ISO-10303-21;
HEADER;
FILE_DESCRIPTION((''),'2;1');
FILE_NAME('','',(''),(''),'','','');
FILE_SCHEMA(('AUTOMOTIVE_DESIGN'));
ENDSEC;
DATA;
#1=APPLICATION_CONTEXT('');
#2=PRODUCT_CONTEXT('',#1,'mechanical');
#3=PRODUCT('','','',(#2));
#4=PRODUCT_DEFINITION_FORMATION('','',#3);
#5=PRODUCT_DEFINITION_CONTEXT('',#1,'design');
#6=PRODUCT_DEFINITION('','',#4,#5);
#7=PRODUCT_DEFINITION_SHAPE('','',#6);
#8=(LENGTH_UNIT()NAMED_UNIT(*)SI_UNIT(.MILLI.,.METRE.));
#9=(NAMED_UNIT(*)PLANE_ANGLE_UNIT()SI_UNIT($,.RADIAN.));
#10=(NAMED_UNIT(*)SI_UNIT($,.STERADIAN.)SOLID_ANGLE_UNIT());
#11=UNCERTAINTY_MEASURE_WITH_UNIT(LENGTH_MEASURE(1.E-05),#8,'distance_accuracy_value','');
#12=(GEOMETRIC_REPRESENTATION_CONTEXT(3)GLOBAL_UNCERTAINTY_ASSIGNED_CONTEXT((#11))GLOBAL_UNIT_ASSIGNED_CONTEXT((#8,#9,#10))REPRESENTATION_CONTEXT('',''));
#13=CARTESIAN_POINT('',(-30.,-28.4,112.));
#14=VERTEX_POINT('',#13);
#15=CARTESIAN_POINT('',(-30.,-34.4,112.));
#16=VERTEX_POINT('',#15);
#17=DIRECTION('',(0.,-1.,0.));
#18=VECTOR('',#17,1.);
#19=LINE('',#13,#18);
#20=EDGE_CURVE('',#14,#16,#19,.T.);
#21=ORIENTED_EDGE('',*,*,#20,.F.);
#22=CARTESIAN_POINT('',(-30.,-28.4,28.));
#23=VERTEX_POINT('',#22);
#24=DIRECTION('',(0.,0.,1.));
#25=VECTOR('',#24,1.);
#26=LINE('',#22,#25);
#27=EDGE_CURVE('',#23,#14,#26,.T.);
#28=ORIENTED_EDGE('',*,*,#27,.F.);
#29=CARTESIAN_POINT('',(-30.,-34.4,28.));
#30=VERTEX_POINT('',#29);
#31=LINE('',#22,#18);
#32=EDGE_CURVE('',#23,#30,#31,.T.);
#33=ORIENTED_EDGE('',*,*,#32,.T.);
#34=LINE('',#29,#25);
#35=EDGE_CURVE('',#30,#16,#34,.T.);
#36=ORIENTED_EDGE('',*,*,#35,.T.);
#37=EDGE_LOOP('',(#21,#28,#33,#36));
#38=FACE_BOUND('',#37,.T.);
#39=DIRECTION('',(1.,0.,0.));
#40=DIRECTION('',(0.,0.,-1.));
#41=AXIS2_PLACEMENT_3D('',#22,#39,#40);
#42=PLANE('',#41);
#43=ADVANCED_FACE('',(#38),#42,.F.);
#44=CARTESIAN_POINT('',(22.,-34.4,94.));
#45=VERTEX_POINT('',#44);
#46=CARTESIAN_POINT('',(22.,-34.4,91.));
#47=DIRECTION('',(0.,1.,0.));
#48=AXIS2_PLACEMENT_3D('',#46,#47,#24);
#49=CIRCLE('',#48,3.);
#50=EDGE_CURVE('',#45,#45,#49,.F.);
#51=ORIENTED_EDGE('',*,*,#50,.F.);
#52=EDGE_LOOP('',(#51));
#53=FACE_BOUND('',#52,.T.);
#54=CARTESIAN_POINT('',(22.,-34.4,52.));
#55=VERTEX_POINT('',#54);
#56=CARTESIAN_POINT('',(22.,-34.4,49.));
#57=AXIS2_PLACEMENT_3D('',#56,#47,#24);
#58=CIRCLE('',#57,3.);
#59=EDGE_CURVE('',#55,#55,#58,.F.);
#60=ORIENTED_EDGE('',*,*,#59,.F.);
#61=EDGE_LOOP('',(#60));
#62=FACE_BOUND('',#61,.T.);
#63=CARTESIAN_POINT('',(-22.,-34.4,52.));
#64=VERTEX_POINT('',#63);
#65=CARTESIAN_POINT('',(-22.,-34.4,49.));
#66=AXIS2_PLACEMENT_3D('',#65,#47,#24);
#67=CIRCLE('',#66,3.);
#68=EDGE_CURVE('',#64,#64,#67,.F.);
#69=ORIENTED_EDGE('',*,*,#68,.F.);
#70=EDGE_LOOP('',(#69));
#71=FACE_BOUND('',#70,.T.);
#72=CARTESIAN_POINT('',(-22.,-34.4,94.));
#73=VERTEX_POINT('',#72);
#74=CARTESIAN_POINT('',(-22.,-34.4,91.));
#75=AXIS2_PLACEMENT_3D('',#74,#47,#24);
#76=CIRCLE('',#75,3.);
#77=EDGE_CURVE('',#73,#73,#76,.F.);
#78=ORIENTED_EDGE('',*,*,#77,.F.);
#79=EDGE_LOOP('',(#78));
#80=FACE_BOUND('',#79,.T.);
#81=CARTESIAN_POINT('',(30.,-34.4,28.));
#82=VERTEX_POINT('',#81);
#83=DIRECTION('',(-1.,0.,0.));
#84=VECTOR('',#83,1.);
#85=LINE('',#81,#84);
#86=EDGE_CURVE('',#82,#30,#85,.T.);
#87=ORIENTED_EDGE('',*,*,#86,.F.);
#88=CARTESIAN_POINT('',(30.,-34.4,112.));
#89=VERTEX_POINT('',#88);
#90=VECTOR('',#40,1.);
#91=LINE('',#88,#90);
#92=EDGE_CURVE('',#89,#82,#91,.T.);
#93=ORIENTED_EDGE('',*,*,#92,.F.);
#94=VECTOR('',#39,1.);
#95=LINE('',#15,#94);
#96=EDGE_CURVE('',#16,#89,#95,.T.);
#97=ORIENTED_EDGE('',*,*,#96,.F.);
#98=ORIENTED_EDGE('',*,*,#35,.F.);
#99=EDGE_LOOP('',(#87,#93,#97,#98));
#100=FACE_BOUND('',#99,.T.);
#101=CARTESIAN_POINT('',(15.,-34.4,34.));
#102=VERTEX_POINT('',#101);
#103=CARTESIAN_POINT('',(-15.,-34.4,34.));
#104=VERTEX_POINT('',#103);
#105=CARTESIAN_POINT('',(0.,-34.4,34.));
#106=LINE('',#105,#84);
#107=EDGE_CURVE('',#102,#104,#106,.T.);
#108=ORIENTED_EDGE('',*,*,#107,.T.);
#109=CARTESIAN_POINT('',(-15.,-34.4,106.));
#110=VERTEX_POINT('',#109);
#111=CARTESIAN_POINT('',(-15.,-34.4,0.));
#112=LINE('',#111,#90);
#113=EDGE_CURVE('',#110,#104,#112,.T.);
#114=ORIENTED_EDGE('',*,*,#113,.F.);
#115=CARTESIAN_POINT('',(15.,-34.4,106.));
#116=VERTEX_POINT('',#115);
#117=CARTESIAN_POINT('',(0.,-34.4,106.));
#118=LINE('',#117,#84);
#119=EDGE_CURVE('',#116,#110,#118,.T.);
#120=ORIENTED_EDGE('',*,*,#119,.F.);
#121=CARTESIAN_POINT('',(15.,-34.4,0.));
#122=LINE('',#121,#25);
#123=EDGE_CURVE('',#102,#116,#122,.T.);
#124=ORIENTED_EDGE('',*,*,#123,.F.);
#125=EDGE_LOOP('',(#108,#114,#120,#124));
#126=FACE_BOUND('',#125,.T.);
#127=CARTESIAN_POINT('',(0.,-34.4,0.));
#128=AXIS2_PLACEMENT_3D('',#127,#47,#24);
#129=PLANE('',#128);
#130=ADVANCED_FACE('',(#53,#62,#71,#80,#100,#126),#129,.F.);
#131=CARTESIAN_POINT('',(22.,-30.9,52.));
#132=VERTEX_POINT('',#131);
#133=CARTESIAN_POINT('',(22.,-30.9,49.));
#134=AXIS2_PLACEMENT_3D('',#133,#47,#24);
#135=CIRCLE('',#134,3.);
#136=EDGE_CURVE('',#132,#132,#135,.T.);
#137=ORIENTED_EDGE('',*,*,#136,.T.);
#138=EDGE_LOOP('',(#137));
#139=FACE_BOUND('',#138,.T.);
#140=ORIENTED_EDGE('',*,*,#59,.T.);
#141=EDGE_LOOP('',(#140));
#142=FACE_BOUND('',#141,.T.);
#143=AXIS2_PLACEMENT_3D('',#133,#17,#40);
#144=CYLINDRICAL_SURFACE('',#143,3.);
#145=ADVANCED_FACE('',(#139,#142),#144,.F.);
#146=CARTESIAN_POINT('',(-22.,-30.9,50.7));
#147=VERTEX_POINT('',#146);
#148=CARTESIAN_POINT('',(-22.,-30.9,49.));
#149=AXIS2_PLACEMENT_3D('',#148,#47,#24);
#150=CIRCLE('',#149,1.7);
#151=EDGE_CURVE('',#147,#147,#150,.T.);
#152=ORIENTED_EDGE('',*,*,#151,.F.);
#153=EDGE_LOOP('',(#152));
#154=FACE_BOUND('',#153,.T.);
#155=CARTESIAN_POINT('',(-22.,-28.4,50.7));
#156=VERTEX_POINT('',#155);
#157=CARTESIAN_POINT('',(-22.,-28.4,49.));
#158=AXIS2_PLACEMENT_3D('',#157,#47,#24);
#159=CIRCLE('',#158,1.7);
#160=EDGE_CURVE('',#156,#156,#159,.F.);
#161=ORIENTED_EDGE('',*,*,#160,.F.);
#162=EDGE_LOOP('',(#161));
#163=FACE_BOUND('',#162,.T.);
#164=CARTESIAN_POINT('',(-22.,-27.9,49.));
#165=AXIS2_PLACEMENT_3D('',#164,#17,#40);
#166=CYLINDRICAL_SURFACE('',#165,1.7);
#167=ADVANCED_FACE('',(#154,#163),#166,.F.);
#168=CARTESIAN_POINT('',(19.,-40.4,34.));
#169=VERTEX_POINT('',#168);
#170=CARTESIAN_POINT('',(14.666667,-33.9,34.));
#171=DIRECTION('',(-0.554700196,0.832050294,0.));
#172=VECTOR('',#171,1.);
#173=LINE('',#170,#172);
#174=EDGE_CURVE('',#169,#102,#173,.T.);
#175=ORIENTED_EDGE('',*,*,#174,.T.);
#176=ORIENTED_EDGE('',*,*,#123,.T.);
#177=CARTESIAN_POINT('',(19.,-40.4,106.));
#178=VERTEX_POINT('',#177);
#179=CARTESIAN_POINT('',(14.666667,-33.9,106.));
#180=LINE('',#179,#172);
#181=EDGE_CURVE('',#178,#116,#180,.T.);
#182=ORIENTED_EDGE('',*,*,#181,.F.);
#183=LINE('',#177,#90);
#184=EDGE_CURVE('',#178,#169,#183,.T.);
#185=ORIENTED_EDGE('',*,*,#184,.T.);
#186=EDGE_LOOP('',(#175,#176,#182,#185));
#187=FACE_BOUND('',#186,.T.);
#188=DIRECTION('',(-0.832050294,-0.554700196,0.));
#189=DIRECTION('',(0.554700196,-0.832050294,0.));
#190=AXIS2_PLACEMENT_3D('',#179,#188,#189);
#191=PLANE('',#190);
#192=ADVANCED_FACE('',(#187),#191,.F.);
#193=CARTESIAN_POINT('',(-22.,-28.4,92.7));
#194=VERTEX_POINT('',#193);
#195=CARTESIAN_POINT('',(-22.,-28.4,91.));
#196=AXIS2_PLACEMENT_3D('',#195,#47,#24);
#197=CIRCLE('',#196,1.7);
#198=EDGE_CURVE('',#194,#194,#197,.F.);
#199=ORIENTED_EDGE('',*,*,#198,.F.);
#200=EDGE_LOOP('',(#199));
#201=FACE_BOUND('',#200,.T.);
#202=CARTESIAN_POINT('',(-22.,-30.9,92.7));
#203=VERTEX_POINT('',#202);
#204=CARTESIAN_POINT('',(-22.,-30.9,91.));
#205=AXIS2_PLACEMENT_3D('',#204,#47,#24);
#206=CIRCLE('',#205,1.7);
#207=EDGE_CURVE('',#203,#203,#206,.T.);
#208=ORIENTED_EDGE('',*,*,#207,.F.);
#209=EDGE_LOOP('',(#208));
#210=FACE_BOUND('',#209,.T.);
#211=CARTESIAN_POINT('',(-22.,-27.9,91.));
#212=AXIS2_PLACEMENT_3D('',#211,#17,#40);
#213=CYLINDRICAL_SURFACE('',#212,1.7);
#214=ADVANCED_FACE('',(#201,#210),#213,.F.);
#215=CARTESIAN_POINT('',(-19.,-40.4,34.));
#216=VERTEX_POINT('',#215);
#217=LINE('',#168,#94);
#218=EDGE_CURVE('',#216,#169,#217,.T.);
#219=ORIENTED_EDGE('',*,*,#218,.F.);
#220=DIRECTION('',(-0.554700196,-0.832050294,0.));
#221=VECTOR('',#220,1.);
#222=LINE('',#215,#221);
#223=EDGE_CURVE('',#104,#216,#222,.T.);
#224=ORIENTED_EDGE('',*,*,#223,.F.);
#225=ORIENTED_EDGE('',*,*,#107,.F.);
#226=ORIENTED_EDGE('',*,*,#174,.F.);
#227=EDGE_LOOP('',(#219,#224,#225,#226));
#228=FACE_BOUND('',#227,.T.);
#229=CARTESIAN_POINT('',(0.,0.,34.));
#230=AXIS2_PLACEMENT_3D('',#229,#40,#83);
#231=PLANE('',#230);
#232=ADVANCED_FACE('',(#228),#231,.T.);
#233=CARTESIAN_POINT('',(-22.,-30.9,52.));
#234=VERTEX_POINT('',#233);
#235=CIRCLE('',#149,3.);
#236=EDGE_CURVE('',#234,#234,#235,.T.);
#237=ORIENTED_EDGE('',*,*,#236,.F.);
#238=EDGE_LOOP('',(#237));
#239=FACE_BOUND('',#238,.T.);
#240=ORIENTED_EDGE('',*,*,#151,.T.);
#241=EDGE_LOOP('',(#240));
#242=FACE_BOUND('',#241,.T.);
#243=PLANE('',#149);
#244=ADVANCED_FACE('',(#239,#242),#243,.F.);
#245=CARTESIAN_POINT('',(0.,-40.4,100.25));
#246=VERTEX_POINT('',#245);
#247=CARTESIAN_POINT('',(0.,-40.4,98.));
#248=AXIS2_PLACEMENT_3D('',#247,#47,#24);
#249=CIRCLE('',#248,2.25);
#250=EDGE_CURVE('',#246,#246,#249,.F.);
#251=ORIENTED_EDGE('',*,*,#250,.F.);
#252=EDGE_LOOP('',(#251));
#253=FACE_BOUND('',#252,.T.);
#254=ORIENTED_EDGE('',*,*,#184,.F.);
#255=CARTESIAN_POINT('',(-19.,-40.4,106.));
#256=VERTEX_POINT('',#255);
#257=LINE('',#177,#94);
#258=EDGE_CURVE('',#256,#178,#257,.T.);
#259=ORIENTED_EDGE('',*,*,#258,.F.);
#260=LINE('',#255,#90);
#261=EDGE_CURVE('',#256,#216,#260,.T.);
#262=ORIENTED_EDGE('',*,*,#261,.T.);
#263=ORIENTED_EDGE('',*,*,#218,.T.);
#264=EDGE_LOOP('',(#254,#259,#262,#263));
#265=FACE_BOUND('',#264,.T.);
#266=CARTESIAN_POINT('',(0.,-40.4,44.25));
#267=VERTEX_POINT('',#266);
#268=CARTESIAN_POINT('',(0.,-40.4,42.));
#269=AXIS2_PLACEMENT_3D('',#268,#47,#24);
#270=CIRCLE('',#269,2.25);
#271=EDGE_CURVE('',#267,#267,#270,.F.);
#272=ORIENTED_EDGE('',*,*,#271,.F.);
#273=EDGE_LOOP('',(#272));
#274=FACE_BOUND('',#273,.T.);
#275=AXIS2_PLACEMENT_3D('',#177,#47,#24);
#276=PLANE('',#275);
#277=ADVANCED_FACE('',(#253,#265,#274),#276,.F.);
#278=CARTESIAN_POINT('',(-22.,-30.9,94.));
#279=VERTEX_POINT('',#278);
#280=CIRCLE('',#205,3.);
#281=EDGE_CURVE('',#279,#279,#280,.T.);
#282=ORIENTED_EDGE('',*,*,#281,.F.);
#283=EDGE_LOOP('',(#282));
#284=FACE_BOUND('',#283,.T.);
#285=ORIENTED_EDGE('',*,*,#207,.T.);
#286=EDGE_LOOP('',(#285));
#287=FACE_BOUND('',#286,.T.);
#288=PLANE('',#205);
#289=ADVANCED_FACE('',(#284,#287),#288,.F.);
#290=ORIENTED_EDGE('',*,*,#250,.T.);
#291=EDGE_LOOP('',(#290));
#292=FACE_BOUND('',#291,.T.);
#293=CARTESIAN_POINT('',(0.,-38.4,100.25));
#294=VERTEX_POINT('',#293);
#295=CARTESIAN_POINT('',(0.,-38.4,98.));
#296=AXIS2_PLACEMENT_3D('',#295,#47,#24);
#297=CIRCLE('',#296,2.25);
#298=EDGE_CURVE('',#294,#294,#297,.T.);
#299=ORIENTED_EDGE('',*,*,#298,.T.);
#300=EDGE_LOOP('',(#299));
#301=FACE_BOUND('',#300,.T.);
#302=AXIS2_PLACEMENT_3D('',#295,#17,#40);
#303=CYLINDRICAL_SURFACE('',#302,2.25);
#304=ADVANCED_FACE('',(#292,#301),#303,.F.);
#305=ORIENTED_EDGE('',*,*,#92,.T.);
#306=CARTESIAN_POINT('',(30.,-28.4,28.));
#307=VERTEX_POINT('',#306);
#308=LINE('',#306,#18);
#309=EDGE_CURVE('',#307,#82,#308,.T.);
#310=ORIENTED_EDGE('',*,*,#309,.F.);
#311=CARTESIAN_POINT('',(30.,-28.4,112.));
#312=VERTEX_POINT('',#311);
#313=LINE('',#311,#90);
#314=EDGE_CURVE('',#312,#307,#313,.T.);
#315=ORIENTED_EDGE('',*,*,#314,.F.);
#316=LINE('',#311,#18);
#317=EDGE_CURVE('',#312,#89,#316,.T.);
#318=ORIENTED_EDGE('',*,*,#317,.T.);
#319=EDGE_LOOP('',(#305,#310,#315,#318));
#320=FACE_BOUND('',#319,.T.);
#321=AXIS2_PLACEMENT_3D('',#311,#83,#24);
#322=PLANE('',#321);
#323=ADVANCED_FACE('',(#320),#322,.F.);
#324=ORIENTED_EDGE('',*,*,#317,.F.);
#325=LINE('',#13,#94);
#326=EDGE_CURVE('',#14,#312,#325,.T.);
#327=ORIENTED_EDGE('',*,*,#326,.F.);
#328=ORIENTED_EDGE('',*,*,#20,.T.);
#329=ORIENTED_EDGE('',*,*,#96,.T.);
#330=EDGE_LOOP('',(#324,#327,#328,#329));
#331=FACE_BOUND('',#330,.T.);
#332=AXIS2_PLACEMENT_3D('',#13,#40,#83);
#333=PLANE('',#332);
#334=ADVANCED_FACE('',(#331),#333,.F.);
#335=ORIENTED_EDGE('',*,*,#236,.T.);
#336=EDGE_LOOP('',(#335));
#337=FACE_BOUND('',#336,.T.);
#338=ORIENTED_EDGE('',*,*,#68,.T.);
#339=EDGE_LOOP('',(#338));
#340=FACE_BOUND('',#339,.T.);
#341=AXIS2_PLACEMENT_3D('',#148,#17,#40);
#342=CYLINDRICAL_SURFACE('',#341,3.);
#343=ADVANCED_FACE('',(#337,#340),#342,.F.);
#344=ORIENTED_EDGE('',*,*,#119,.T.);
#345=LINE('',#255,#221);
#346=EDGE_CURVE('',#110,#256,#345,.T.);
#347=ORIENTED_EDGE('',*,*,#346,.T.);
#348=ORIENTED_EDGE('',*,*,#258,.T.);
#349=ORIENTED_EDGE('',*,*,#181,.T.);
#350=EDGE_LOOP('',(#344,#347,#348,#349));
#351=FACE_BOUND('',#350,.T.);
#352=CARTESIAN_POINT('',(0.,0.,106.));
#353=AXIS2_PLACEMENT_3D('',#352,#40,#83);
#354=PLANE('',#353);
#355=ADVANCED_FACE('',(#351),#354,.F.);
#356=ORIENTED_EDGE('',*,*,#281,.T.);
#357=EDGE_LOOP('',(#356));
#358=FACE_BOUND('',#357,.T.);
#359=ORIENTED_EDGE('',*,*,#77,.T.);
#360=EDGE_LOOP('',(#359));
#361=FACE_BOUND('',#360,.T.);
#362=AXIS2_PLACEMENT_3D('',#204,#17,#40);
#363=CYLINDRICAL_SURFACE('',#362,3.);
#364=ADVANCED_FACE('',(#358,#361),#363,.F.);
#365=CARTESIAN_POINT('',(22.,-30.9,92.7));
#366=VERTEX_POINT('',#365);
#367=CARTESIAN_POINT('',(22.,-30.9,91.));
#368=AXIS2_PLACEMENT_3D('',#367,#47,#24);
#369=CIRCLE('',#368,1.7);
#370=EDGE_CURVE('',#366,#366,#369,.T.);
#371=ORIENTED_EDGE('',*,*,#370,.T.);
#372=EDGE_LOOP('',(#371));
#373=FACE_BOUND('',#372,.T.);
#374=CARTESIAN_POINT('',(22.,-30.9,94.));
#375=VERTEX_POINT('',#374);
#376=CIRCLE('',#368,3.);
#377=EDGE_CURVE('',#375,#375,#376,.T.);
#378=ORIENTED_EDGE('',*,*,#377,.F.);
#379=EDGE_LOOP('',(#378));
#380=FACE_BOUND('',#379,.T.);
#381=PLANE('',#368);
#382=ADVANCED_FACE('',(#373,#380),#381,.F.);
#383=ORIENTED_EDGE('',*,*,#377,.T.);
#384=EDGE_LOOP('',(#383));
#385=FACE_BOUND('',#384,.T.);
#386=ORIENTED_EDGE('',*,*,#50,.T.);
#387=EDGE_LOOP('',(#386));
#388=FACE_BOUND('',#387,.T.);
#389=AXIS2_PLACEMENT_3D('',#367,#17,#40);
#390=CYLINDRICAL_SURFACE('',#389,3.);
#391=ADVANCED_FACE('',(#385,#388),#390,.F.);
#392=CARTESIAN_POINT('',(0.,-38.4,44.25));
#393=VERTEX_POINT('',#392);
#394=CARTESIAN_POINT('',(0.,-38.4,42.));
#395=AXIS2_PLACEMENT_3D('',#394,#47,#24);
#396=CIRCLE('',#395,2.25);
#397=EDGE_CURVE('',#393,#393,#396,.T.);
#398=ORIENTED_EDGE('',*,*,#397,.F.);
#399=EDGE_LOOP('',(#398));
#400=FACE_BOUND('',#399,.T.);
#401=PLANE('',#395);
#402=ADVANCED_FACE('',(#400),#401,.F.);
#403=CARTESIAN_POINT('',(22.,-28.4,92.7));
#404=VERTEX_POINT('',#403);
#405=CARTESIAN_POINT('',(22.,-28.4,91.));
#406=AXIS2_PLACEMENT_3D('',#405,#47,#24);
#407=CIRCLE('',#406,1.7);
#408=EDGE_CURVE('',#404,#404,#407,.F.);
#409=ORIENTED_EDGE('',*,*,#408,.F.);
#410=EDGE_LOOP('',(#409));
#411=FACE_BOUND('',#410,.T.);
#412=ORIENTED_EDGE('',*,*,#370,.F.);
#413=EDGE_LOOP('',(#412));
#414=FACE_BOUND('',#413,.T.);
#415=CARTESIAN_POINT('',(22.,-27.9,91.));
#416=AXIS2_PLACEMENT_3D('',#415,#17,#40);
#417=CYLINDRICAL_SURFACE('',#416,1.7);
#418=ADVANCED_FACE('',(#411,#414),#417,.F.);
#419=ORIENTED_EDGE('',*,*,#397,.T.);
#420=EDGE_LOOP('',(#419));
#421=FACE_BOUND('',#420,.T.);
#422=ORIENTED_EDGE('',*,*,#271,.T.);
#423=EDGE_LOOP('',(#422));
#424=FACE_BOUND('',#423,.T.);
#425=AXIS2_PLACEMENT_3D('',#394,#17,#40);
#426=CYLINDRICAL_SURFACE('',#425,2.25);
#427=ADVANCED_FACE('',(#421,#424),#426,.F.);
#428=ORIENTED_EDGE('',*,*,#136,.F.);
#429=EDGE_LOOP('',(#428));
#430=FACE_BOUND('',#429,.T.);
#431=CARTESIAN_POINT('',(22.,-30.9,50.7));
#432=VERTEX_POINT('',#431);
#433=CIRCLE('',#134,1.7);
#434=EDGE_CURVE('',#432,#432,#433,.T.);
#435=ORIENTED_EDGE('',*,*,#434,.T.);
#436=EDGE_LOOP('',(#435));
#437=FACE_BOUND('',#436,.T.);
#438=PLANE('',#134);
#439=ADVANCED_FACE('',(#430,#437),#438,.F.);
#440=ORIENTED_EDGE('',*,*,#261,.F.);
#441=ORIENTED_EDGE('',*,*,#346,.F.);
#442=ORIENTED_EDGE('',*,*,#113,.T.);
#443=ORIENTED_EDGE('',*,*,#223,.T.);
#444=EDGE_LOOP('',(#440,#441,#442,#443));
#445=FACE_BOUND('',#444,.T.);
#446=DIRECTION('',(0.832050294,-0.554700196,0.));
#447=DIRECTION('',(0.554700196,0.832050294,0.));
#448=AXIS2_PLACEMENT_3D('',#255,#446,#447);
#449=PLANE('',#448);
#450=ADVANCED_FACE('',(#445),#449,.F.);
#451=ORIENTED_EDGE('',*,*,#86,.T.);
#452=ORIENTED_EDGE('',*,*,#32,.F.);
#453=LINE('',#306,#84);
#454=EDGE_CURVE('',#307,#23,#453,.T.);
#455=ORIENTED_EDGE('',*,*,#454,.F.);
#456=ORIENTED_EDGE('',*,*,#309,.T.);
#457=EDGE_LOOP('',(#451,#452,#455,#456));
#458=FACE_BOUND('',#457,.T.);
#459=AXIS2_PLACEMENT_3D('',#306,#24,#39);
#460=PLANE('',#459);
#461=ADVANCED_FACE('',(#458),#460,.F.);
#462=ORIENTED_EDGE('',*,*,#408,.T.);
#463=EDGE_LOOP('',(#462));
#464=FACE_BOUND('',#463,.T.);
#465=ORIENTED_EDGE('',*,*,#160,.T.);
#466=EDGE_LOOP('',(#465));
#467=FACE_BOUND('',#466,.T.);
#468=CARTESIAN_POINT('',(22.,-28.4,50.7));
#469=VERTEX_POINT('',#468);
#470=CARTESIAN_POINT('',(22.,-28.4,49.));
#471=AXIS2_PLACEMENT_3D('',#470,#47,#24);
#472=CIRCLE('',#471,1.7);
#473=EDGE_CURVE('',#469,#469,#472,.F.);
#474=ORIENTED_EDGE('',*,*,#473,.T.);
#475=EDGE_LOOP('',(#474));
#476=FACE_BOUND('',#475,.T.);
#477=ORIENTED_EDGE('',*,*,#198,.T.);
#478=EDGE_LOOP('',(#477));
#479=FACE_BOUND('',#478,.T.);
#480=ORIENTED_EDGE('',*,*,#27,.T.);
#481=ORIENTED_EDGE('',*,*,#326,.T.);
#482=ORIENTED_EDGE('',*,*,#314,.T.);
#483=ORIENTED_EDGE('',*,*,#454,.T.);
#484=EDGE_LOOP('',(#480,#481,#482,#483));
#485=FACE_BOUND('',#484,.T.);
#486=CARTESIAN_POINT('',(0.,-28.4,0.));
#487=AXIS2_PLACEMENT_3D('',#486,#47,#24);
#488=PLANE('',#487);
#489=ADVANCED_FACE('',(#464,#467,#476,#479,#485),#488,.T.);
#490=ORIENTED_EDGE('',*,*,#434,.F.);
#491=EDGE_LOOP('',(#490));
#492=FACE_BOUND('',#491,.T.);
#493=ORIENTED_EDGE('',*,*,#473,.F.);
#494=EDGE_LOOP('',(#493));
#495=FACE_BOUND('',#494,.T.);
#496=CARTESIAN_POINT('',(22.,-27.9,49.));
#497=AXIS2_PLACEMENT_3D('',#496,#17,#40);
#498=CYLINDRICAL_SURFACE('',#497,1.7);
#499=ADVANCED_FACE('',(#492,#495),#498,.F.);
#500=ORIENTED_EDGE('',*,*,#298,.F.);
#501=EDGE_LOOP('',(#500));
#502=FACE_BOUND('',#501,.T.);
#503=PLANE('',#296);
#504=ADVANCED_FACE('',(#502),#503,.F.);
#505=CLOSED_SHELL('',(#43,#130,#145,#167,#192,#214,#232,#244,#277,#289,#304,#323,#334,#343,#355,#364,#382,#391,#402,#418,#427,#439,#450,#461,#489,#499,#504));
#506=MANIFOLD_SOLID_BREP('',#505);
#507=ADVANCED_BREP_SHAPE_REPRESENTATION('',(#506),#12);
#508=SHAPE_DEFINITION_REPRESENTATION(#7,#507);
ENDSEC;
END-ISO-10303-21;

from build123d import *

# Parameters (mm, degrees)
SKETCH1_W           = 60
SKETCH1_H           = 84
RAIL_PLATE_DEPTH    = 6
DOVETAIL_RAIL_DEPTH = 72
SKETCH3_R           = 1.7
M3_HOLES_DEPTH      = 7
SKETCH4_R           = 3
COUNTERBORES_DEPTH  = 4
SKETCH5_R           = 2.25
LOCK_DETENTS_DEPTH  = 2.5


with BuildPart() as part:
    # Sketch1 → Rail Plate (new body)
    with BuildSketch(Plane(origin=(0, -34.4, 0), x_dir=(1, 0, 0), z_dir=(0, 1, 0))):
        with Locations((0, -70)):
            Rectangle(SKETCH1_W, SKETCH1_H)
    extrude(amount=RAIL_PLATE_DEPTH)

    # Sketch2 → Dovetail Rail (add)
    with BuildSketch(Plane.XY.offset(34)):
        Polygon((-14.666666667, -33.9), (14.666666667, -33.9), (19, -40.4), (-19, -40.4), align=None)
    extrude(amount=DOVETAIL_RAIL_DEPTH)

    # Sketch3 → M3 Holes (cut)
    with BuildSketch(Plane(origin=(0, -34.9, 0), x_dir=(1, 0, 0), z_dir=(0, 1, 0))):
        with Locations(Location((-22, -91, 0), (0, 0, 270))):
            Circle(SKETCH3_R)
        with Locations(Location((-22, -49, 0), (0, 0, 270))):
            Circle(SKETCH3_R)
        with Locations(Location((22, -91, 0), (0, 0, 270))):
            Circle(SKETCH3_R)
        with Locations(Location((22, -49, 0), (0, 0, 270))):
            Circle(SKETCH3_R)
    extrude(amount=M3_HOLES_DEPTH, mode=Mode.SUBTRACT)

    # Sketch4 → Counterbores (cut)
    with BuildSketch(Plane(origin=(0, -34.9, 0), x_dir=(1, 0, 0), z_dir=(0, 1, 0))):
        with Locations(Location((-22, -91, 0), (0, 0, 270))):
            Circle(SKETCH4_R)
        with Locations(Location((-22, -49, 0), (0, 0, 270))):
            Circle(SKETCH4_R)
        with Locations(Location((22, -91, 0), (0, 0, 270))):
            Circle(SKETCH4_R)
        with Locations(Location((22, -49, 0), (0, 0, 270))):
            Circle(SKETCH4_R)
    extrude(amount=COUNTERBORES_DEPTH, mode=Mode.SUBTRACT)

    # Sketch5 → Lock Detents (cut)
    with BuildSketch(Plane(origin=(0, -40.9, 0), x_dir=(1, 0, 0), z_dir=(0, 1, 0))):
        with Locations(Location((0, -98, 0), (0, 0, 270))):
            Circle(SKETCH5_R)
        with Locations(Location((0, -42, 0), (0, 0, 270))):
            Circle(SKETCH5_R)
    extrude(amount=LOCK_DETENTS_DEPTH, mode=Mode.SUBTRACT)


solid = part.part
